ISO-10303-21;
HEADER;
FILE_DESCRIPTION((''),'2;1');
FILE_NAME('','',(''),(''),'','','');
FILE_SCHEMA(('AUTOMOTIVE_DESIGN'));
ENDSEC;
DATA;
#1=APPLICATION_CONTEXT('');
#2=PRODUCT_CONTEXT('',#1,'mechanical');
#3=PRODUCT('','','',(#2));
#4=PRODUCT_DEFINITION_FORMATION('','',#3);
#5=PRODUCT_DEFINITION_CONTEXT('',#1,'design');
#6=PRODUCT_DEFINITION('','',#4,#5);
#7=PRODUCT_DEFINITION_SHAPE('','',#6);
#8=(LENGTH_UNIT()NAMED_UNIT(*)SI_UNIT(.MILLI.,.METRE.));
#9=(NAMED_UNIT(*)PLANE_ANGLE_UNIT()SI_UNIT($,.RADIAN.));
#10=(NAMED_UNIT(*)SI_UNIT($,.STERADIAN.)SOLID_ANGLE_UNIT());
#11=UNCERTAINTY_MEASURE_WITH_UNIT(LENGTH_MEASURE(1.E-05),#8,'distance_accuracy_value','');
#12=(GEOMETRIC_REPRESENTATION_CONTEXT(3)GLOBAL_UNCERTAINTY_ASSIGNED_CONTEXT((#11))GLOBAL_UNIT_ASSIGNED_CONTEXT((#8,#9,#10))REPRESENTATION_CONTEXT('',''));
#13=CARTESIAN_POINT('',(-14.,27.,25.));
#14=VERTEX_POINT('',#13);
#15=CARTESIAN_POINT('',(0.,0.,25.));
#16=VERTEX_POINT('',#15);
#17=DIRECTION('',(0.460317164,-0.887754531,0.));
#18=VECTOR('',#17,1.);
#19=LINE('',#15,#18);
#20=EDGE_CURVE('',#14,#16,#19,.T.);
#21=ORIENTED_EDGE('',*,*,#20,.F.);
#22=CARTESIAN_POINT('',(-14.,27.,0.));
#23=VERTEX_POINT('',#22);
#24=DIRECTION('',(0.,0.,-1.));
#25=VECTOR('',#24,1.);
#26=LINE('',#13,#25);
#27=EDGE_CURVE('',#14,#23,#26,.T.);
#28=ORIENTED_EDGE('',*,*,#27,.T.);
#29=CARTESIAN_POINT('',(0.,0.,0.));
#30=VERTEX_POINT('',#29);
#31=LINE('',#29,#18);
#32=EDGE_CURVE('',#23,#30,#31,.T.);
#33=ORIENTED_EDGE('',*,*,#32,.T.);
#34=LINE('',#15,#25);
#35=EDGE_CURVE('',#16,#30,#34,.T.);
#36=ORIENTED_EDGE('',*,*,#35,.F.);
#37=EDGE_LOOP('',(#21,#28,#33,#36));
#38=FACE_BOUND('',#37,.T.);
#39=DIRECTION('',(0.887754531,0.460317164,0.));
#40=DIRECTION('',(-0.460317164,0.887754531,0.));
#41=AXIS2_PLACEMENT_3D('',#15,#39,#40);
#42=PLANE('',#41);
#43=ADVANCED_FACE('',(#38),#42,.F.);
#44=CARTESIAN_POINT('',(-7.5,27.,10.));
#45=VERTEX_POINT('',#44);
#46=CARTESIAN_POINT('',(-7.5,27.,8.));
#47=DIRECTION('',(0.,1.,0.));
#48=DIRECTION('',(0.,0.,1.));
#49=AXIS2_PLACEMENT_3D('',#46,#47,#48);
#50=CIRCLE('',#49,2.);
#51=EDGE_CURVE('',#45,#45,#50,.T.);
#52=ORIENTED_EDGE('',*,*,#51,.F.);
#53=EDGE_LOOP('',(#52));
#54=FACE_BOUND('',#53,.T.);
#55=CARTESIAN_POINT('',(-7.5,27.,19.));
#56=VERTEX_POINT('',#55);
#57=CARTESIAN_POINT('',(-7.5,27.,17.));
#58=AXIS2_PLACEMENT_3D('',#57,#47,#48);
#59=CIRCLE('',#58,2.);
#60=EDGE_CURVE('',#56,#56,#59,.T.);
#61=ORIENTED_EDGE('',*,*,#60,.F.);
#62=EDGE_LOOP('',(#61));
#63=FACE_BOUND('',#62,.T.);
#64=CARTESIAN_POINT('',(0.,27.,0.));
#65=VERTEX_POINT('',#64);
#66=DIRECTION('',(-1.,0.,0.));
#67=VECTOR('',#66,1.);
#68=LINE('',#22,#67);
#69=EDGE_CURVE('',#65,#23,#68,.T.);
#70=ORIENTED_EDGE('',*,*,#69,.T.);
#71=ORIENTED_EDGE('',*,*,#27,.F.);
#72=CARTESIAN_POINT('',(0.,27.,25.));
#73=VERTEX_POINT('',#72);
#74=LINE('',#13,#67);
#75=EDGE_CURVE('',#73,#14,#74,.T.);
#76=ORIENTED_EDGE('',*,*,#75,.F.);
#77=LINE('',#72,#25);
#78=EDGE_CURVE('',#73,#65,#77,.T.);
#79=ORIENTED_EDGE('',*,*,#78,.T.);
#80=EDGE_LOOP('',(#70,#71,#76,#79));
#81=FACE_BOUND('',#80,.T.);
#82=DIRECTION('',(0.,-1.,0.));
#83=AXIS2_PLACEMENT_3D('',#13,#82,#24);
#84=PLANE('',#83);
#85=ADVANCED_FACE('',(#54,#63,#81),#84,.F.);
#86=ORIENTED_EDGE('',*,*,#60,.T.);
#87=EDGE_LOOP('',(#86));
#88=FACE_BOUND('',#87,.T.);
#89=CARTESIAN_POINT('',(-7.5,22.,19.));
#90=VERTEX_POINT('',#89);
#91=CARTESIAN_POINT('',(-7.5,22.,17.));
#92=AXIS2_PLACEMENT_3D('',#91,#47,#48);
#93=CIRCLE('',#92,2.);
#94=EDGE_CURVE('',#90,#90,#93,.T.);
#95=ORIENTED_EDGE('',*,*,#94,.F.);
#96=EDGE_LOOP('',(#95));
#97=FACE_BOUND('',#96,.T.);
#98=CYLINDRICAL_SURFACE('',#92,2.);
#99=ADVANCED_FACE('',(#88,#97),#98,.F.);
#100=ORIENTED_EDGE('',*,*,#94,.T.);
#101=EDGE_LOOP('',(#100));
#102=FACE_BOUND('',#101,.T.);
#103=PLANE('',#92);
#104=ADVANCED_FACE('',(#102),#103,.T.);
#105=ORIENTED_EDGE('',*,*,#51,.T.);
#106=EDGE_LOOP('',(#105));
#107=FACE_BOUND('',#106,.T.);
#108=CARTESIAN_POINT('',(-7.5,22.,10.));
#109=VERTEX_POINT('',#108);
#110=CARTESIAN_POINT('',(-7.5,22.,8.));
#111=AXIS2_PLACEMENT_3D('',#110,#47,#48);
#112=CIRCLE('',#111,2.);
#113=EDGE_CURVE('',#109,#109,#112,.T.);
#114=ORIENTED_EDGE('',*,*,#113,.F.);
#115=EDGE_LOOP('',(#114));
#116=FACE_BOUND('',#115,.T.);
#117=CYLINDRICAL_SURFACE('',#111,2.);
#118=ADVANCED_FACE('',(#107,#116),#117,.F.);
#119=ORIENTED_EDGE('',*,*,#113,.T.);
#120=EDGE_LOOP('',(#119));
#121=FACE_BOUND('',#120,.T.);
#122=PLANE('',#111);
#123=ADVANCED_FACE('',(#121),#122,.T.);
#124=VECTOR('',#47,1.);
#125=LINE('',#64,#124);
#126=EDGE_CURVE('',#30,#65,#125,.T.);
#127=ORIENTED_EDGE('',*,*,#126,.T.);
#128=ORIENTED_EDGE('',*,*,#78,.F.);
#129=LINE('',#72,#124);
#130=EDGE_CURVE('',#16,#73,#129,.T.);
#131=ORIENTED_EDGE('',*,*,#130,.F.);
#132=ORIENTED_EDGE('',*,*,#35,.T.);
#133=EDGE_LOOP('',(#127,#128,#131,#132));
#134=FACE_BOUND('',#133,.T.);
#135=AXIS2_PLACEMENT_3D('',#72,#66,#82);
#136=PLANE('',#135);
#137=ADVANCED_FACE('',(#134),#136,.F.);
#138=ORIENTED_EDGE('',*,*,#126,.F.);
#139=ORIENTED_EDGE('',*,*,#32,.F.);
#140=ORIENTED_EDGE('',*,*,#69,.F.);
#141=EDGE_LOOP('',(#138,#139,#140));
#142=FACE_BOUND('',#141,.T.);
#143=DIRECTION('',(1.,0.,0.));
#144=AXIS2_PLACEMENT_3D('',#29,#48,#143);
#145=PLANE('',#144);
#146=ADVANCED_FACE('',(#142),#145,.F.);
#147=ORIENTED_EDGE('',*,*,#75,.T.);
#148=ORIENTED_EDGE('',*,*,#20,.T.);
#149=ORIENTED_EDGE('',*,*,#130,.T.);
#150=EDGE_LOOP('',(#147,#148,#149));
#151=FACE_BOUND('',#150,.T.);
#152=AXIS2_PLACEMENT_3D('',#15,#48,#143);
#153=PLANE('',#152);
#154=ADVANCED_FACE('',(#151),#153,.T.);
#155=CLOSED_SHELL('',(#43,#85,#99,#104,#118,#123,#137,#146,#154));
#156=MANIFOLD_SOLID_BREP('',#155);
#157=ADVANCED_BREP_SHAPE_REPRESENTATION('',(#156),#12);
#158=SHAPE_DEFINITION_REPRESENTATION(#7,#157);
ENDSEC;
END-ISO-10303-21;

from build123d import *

# Parameters (mm, degrees)
BOSS_EXTRUDE1_DEPTH = 25
SKETCH2_R           = 2
CUT_EXTRUDE1_DEPTH  = 5


with BuildPart() as part:
    # Sketch1 → Boss-Extrude1 (new body)
    with BuildSketch(Plane.XY):
        Polygon((0, 0), (-14, 27), (0, 27), align=None)
    extrude(amount=BOSS_EXTRUDE1_DEPTH)

    # Sketch2 → Cut-Extrude1 (cut)
    with BuildSketch(Plane(origin=(0, 27, 0), x_dir=(1, 0, 0), z_dir=(0, 1, 0))):
        with Locations(Location((-7.5, -8, 0), (0, 0, 270))):
            Circle(SKETCH2_R)
        with Locations(Location((-7.5, -17, 0), (0, 0, 270))):
            Circle(SKETCH2_R)
    extrude(amount=-CUT_EXTRUDE1_DEPTH, mode=Mode.SUBTRACT)


solid = part.part
